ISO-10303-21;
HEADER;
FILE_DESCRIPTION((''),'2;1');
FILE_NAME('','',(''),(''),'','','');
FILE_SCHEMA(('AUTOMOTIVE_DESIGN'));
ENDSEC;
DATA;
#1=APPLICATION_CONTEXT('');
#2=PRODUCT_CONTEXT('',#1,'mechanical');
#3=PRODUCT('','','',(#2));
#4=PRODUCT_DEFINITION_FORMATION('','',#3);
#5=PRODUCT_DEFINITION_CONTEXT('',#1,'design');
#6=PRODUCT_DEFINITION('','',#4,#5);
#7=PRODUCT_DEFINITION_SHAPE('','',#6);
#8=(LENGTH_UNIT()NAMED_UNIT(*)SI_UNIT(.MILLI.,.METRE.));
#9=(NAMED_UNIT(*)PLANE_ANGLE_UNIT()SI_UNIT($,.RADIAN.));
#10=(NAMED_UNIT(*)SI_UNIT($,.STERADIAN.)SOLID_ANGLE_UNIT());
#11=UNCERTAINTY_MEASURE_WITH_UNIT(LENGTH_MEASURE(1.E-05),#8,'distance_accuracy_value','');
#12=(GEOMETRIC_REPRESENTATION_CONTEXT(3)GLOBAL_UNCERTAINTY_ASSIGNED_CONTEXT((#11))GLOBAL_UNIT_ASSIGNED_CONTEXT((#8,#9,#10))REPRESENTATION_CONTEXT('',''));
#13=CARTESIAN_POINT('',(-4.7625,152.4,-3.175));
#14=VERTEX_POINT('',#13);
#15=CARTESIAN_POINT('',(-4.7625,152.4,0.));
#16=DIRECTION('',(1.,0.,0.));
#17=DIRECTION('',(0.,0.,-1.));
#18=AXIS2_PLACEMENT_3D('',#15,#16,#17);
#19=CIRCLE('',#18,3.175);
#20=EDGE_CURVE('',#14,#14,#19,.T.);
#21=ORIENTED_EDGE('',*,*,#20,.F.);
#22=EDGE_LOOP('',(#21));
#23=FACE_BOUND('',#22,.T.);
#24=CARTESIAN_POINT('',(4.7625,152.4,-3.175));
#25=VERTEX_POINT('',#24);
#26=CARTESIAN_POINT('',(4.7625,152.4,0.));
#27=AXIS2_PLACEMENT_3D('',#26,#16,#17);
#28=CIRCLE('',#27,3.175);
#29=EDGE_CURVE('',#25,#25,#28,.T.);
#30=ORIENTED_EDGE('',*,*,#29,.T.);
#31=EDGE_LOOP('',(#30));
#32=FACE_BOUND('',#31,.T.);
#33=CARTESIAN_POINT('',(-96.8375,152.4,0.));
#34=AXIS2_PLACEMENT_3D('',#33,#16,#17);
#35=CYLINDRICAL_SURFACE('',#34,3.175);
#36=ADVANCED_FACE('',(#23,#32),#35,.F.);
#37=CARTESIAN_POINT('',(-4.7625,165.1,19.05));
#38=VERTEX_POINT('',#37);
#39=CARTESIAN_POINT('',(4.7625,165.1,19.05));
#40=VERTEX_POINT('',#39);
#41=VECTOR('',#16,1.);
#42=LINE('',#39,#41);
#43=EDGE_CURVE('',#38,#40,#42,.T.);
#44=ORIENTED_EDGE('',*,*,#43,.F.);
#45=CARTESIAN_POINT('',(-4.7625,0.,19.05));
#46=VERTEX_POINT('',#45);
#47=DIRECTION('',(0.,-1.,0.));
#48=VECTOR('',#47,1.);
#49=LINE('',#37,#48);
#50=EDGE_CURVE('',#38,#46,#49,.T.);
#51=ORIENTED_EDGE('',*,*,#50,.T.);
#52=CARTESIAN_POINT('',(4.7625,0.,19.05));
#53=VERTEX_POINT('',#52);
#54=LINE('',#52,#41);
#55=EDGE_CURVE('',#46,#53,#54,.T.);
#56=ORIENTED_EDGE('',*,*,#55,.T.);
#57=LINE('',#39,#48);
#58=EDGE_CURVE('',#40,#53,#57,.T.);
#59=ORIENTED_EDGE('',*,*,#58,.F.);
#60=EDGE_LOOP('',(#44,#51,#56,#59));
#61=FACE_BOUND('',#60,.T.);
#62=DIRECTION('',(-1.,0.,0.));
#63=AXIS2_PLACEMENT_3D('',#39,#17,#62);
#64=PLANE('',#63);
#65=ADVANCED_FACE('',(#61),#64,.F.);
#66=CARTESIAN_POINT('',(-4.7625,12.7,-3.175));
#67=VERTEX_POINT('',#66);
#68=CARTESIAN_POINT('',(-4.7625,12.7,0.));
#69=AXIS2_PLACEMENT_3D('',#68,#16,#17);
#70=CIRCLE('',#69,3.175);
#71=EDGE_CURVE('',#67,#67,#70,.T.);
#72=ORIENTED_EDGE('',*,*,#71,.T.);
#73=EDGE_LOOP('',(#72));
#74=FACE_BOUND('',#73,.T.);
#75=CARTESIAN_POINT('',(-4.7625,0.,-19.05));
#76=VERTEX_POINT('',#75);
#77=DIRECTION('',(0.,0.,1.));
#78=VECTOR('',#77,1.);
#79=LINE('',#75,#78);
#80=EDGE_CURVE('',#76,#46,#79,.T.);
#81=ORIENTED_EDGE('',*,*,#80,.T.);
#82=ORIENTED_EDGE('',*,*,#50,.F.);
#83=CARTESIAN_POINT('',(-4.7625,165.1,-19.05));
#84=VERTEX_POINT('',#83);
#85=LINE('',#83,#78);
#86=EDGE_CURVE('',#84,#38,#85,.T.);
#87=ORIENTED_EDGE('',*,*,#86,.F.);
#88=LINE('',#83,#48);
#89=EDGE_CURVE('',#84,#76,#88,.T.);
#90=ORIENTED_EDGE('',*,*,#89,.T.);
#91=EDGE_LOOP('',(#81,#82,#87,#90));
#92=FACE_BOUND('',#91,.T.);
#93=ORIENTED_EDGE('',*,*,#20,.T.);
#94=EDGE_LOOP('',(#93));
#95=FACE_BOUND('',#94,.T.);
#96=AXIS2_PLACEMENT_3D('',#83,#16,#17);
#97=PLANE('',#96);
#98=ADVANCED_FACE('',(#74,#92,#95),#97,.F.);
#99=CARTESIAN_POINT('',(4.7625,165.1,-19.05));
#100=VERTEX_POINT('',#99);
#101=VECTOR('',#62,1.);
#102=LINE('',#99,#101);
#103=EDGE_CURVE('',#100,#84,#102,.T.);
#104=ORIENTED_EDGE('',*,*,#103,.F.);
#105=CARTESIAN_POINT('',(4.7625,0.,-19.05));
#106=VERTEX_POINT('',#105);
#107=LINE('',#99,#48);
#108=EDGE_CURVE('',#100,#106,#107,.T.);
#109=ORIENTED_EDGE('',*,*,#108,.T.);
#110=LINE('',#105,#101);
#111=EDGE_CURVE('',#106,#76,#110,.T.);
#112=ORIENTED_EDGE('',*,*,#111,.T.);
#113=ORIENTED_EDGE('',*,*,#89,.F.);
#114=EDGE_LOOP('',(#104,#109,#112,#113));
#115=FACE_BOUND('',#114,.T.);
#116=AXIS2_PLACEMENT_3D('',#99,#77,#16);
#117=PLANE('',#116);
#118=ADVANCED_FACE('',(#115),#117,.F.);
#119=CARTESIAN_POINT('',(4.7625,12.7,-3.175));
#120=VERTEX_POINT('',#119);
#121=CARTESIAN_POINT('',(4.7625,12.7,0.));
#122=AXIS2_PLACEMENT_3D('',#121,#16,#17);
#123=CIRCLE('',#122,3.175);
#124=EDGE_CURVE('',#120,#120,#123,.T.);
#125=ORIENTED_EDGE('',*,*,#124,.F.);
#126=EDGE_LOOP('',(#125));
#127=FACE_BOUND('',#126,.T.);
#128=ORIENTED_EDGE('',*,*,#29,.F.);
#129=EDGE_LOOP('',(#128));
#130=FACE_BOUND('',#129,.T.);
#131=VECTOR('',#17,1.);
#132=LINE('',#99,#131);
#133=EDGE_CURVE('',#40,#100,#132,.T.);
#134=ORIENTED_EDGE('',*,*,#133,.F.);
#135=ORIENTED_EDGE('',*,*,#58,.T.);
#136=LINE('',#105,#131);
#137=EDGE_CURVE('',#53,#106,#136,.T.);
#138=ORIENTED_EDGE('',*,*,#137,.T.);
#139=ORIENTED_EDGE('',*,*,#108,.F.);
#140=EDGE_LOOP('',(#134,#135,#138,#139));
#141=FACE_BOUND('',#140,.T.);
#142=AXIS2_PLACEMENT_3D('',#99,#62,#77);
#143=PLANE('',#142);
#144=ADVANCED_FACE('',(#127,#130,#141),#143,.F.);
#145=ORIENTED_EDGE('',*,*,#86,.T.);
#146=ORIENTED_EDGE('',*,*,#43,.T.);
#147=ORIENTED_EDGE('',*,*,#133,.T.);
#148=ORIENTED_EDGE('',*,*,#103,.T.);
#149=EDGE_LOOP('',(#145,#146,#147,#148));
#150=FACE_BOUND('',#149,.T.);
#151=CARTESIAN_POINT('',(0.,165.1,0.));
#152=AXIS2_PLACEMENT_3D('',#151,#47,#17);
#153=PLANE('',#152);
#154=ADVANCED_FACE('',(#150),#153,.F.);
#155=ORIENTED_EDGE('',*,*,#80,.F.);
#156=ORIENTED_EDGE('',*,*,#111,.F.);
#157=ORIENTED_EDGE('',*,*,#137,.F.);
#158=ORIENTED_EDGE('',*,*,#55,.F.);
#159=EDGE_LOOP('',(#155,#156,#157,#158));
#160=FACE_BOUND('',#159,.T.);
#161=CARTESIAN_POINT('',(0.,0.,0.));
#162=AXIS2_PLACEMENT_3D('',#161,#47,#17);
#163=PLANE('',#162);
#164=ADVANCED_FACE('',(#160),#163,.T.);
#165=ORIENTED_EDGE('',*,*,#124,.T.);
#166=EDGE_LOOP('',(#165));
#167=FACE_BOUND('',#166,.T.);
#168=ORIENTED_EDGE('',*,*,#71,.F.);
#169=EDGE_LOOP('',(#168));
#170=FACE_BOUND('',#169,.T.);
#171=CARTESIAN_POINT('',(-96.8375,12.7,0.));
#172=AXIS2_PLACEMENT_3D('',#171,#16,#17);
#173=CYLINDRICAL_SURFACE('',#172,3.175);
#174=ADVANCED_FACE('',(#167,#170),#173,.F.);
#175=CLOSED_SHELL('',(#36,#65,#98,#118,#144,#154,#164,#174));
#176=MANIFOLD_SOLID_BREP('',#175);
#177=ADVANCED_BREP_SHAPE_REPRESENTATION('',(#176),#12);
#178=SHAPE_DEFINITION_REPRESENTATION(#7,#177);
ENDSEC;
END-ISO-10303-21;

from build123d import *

# Parameters (mm, degrees)
SKETCH1_W           = 9.525
SKETCH1_H           = 38.1
BOSS_EXTRUDE1_DEPTH = 165.1
SKETCH2_R           = 3.175
CUT_EXTRUDE1_DEPTH  = 101.6


with BuildPart() as part:
    # Sketch1 → Boss-Extrude1 (new body)
    with BuildSketch(Plane(origin=(0, 0, 0), x_dir=(1, 0, 0), z_dir=(0, 1, 0))):
        Rectangle(SKETCH1_W, SKETCH1_H)
    extrude(amount=BOSS_EXTRUDE1_DEPTH)

    # Sketch2 → Cut-Extrude1 (cut)
    with BuildSketch(Plane(origin=(4.7625, 0, 0), x_dir=(0, 0, -1), z_dir=(1, 0, 0))):
        with Locations((0, 152.4)):
            Circle(SKETCH2_R)
        with Locations((0, 12.7)):
            Circle(SKETCH2_R)
    extrude(amount=-CUT_EXTRUDE1_DEPTH, mode=Mode.SUBTRACT)


solid = part.part
